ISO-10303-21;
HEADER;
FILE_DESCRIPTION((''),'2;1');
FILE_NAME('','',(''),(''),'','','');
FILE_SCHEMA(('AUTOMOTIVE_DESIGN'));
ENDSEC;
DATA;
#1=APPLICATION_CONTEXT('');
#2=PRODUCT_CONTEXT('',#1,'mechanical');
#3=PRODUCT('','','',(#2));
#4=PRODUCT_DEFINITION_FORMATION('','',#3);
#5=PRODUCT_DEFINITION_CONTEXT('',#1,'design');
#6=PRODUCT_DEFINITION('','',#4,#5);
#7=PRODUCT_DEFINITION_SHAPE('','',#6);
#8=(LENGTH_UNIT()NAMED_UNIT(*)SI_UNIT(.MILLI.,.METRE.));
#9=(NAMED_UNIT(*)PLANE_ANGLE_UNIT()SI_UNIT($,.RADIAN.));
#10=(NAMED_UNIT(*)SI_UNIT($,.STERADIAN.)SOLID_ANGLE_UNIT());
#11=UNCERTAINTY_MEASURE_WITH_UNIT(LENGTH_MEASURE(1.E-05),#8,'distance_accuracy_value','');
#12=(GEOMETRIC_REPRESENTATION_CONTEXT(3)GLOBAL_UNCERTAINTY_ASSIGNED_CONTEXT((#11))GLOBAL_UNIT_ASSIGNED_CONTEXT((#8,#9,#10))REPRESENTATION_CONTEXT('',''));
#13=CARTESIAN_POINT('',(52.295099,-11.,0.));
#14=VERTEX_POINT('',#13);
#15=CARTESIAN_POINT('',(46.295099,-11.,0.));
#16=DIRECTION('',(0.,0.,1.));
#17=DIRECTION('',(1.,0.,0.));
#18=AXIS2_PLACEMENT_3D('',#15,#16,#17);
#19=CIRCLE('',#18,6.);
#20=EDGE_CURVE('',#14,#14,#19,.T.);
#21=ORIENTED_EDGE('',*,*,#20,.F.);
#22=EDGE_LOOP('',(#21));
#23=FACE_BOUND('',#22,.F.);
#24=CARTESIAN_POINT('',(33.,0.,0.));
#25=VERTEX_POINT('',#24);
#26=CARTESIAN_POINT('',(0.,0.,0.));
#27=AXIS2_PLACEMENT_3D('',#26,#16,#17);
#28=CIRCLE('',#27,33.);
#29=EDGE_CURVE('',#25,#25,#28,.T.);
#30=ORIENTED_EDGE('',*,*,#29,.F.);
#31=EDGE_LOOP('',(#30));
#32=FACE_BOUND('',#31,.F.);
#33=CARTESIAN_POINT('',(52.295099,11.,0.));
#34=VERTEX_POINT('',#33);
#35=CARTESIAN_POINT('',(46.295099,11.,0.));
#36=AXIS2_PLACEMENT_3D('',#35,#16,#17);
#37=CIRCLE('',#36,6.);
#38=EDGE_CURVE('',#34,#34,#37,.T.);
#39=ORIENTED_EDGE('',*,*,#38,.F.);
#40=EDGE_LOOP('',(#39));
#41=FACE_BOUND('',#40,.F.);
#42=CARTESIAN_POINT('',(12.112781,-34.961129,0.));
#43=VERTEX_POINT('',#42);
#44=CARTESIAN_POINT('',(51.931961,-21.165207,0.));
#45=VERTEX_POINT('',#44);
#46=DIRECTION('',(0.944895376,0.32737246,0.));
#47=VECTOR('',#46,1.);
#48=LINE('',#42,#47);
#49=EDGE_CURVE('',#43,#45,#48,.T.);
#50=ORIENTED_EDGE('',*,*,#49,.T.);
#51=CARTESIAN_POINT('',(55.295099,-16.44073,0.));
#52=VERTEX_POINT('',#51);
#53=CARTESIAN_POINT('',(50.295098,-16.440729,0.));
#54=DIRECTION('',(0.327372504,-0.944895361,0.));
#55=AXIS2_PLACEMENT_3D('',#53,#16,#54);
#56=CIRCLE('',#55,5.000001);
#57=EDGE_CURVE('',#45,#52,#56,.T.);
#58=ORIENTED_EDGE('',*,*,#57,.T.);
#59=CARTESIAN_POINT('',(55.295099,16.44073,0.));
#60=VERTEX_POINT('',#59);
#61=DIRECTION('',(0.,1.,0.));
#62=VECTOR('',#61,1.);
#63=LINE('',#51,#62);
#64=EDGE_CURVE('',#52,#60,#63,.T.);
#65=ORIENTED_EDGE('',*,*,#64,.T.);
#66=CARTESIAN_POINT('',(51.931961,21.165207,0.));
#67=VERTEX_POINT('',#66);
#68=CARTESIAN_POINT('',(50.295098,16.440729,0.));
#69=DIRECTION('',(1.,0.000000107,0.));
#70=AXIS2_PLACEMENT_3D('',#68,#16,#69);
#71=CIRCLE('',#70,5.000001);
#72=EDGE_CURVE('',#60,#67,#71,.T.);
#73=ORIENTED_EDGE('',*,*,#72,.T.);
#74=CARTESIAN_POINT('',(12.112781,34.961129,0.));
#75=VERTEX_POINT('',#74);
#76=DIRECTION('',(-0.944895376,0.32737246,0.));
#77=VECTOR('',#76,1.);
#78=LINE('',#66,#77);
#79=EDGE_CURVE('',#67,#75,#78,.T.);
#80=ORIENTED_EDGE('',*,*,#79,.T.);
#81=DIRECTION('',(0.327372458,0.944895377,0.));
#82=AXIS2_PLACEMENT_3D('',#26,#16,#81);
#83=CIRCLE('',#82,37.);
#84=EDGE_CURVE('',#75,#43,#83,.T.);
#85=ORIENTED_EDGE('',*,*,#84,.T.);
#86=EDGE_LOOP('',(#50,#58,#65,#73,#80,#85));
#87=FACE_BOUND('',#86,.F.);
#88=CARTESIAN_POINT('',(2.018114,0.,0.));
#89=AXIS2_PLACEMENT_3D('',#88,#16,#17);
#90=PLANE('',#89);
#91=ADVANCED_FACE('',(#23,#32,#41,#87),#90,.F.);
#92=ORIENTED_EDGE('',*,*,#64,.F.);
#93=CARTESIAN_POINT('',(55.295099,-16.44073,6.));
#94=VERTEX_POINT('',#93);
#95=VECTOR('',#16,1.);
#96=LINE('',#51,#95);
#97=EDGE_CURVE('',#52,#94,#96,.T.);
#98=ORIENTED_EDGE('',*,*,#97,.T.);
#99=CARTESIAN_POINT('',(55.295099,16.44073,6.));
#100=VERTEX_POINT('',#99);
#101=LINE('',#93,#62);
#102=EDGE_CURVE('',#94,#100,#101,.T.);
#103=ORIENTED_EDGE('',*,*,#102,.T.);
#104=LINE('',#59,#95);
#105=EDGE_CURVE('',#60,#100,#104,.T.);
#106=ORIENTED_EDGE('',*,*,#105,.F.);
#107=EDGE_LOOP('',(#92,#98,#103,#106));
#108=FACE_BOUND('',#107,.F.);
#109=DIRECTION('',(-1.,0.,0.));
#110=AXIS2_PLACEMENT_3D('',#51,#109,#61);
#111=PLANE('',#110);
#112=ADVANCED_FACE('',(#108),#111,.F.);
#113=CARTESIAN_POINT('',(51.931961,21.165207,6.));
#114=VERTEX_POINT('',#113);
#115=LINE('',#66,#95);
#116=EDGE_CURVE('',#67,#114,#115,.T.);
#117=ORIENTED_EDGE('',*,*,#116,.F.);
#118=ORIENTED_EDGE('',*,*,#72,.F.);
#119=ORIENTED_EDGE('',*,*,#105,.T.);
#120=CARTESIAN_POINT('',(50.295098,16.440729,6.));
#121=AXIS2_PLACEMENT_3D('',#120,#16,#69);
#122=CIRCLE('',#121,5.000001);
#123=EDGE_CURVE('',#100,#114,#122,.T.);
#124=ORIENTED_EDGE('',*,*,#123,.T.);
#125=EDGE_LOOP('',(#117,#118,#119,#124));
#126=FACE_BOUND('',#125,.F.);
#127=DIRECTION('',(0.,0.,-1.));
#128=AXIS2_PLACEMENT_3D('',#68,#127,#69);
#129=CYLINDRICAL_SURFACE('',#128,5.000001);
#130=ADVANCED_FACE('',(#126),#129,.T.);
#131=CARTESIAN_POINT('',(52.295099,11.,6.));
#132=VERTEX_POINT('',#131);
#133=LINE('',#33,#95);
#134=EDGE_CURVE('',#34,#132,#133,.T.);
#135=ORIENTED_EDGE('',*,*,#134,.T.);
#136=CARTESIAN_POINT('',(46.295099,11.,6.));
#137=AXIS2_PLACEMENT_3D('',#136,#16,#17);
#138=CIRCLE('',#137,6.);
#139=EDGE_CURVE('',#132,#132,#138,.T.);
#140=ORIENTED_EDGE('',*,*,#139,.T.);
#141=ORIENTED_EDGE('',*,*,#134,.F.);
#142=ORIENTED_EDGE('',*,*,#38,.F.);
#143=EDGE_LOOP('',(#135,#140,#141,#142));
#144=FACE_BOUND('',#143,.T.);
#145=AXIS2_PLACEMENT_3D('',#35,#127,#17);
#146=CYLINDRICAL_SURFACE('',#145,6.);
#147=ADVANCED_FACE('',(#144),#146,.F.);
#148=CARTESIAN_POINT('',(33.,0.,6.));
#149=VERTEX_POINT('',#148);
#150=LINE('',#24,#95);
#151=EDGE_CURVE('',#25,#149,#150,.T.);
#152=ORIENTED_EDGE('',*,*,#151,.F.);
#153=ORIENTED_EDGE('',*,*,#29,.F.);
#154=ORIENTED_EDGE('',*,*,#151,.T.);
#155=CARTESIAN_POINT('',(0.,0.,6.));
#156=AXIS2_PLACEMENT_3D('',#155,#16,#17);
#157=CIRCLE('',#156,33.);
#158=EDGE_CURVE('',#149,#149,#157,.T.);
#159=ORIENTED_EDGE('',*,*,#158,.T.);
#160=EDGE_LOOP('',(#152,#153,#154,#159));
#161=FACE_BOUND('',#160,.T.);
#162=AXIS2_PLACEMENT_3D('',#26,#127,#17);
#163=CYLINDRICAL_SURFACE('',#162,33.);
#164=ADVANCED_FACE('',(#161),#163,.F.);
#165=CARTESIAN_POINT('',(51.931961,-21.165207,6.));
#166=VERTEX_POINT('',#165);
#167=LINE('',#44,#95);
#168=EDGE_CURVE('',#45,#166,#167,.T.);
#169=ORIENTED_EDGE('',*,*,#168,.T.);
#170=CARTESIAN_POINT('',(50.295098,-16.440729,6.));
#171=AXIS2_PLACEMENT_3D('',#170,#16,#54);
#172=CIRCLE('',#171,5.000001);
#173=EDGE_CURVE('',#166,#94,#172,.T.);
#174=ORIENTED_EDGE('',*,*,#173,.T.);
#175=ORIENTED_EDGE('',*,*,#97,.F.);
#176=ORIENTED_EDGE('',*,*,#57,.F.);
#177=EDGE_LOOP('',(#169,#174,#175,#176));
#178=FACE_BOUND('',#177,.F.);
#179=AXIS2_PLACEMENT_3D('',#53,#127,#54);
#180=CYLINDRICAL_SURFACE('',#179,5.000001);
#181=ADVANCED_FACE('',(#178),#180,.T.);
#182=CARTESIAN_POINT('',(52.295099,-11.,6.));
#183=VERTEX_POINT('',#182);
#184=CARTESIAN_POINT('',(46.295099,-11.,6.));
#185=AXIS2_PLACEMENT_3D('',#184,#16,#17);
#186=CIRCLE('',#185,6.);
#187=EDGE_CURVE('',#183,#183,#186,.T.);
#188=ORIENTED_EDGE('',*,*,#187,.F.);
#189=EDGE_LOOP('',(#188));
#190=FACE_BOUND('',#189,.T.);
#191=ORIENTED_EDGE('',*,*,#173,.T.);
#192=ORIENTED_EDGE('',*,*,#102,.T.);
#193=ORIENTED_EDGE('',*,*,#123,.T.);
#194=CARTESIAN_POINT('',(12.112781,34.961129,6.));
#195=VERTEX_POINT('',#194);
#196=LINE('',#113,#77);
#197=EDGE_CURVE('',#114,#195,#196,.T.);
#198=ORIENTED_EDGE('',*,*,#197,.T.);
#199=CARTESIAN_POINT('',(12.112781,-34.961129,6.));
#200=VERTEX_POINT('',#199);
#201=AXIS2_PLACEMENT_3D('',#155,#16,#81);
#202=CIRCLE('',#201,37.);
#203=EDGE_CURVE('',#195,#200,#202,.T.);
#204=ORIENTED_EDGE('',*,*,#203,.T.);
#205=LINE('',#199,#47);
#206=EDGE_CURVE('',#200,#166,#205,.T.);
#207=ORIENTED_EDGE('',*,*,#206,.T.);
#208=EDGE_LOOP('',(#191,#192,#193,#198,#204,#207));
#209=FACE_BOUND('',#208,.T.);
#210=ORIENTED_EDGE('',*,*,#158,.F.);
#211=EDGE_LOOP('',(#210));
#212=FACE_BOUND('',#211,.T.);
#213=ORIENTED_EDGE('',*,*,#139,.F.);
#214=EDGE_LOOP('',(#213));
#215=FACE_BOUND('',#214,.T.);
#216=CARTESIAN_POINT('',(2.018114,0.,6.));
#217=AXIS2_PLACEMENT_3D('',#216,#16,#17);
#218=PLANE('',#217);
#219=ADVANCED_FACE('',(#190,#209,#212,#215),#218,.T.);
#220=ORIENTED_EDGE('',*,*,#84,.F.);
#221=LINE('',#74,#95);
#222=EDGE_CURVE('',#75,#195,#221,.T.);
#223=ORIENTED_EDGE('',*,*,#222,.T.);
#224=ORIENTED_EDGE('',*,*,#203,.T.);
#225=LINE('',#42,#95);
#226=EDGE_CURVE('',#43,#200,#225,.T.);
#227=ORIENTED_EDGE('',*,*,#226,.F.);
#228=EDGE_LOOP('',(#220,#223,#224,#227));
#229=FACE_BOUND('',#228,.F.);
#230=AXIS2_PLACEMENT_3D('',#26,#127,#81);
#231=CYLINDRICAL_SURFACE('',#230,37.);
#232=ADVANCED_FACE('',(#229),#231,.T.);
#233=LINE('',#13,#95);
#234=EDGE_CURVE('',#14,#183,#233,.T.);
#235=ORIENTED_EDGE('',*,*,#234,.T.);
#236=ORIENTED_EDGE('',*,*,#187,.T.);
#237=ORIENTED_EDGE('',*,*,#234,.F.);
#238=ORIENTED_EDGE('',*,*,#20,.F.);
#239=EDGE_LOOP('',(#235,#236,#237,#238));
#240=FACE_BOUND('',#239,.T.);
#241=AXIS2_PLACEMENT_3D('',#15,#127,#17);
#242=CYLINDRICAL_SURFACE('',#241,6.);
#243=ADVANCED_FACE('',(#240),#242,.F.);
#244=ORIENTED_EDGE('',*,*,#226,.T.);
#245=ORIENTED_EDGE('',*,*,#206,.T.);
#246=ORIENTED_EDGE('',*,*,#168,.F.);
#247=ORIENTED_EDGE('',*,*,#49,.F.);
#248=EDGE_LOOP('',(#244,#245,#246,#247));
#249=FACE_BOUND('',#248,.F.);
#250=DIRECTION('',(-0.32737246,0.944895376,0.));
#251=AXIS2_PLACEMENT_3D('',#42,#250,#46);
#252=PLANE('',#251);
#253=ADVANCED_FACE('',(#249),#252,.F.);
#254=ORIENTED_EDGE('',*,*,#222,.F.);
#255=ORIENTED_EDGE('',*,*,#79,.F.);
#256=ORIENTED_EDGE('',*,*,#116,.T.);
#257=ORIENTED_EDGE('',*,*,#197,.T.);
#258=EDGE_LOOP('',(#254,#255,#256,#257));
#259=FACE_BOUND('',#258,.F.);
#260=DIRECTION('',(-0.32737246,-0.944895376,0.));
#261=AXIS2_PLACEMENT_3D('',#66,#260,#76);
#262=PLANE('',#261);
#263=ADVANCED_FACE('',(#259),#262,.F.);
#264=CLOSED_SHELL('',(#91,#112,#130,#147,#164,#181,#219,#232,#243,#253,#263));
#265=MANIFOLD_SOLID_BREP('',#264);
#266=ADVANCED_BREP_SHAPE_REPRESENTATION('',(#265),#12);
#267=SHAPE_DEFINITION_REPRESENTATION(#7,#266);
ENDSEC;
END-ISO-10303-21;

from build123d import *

# Parameters (mm, degrees)
F0_R     = 33
F0_R_2   = 6
F1_DEPTH = 6


with BuildPart() as f1:
    # F0 (on Top) → F1 (new body)
    with BuildSketch(Plane.XY):
        with BuildLine():
            ThreePointArc((12.112781, -34.961129), (30.142768, -21.457249), (37, 0))
            ThreePointArc((37, 0), (30.142768, 21.457249), (12.112781, 34.961129))
            ThreePointArc((12.112781, 34.961129), (-37, 0), (12.112781, -34.961129))
        make_face()
        Circle(F0_R, mode=Mode.SUBTRACT)
        with BuildLine():
            ThreePointArc((12.112781, 34.961129), (30.142768, 21.457249), (37, 0))
            ThreePointArc((37, 0), (30.142768, -21.457249), (12.112781, -34.961129))
            Line((12.112781, -34.961129), (51.931961, -21.165207))
            ThreePointArc((51.931961, -21.165207), (54.368446, -19.340358), (55.295099, -16.44073))
            Line((55.295099, -16.44073), (55.295099, 16.44073))
            ThreePointArc((55.295099, 16.44073), (54.368446, 19.340358), (51.931961, 21.165207))
            Line((51.931961, 21.165207), (12.112781, 34.961129))
        make_face()
        with Locations((46.295099, -11)):
            Circle(F0_R_2, mode=Mode.SUBTRACT)
        with Locations((46.295099, 11)):
            Circle(F0_R_2, mode=Mode.SUBTRACT)
    extrude(amount=F1_DEPTH)


solid = f1.part
